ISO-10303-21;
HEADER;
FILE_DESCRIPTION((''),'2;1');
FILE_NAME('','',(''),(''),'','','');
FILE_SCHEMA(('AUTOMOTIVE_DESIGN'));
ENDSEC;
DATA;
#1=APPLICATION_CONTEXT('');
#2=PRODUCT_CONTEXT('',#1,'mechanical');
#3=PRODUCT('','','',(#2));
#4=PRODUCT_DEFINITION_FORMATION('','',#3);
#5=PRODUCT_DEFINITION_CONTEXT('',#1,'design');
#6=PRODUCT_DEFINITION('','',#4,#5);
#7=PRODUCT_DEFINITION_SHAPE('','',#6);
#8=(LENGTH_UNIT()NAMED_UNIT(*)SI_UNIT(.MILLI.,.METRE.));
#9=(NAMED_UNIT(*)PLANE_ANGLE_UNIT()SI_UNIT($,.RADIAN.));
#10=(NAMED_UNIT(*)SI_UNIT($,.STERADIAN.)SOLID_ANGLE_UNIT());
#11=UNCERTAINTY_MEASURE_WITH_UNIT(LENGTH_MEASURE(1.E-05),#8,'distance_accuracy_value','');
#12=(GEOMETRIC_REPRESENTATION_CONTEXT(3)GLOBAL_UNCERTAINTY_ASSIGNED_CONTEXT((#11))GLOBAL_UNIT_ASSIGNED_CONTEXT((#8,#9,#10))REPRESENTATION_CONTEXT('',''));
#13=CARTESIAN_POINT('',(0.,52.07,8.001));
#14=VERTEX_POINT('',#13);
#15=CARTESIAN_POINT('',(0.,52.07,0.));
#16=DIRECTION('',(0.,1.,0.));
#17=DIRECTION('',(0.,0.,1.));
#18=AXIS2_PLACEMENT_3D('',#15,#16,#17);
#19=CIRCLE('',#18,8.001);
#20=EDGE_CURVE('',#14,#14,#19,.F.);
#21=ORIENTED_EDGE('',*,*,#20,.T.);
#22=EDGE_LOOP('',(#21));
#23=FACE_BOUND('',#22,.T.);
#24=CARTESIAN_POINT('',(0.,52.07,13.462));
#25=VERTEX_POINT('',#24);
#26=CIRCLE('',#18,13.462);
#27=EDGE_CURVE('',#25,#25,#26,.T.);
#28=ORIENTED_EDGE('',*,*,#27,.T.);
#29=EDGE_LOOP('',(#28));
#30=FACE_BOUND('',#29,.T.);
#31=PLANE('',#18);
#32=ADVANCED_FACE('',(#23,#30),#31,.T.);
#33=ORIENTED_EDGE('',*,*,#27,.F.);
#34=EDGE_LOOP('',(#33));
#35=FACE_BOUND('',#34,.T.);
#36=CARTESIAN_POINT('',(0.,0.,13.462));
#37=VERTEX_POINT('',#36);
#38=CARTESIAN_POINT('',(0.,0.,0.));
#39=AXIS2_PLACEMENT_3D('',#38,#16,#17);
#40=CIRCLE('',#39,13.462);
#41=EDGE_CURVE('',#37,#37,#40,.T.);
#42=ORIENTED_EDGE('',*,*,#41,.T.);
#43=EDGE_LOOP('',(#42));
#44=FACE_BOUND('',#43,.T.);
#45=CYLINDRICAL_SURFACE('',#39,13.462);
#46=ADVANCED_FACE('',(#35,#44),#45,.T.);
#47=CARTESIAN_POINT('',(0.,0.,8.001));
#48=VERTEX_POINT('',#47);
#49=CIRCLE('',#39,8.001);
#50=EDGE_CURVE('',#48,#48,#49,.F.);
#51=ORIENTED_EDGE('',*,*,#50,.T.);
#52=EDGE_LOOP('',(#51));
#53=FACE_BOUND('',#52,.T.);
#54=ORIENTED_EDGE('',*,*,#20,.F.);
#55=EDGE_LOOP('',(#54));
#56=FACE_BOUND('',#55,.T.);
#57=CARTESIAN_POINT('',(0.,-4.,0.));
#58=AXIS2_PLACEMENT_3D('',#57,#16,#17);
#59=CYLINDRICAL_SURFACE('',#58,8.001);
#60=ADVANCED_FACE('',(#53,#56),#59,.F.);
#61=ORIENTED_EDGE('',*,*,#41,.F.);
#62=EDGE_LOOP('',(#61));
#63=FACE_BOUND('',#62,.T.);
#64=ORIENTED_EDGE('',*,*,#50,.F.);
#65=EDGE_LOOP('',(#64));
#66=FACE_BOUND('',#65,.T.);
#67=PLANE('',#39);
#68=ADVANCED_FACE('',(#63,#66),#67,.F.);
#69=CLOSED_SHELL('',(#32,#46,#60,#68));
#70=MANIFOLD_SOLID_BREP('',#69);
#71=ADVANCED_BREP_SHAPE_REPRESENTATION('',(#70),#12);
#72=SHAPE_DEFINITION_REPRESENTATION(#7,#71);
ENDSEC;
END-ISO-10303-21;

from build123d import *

# Parameters (mm, degrees)
SWEEP1_PROFILE_R     = 13.462
CUT_SWEEP1_PROFILE_R = 8.001


with BuildPart() as part:
    # Sweep1: sweep along a path in Sketch1
    with BuildLine(Plane.XY) as sweep1_path:
        Line((0, 0), (0, 52.07))
    # Sweep1 profile (on start of the path) → Sweep1 (sweep)
    with BuildSketch(Plane.ZX):
        Circle(SWEEP1_PROFILE_R)
    sweep(path=sweep1_path.line)

    # Cut-Sweep1: sweep along a path in Sketch1<2>
    with BuildLine(Plane.XY) as cut_sweep1_path:
        Line((0, 0), (0, 52.07))
    # Cut-Sweep1 profile (on start of the path) → Cut-Sweep1 (sweep, cut)
    with BuildSketch(Plane.ZX):
        Circle(CUT_SWEEP1_PROFILE_R)
    sweep(path=cut_sweep1_path.line, mode=Mode.SUBTRACT)


solid = part.part
